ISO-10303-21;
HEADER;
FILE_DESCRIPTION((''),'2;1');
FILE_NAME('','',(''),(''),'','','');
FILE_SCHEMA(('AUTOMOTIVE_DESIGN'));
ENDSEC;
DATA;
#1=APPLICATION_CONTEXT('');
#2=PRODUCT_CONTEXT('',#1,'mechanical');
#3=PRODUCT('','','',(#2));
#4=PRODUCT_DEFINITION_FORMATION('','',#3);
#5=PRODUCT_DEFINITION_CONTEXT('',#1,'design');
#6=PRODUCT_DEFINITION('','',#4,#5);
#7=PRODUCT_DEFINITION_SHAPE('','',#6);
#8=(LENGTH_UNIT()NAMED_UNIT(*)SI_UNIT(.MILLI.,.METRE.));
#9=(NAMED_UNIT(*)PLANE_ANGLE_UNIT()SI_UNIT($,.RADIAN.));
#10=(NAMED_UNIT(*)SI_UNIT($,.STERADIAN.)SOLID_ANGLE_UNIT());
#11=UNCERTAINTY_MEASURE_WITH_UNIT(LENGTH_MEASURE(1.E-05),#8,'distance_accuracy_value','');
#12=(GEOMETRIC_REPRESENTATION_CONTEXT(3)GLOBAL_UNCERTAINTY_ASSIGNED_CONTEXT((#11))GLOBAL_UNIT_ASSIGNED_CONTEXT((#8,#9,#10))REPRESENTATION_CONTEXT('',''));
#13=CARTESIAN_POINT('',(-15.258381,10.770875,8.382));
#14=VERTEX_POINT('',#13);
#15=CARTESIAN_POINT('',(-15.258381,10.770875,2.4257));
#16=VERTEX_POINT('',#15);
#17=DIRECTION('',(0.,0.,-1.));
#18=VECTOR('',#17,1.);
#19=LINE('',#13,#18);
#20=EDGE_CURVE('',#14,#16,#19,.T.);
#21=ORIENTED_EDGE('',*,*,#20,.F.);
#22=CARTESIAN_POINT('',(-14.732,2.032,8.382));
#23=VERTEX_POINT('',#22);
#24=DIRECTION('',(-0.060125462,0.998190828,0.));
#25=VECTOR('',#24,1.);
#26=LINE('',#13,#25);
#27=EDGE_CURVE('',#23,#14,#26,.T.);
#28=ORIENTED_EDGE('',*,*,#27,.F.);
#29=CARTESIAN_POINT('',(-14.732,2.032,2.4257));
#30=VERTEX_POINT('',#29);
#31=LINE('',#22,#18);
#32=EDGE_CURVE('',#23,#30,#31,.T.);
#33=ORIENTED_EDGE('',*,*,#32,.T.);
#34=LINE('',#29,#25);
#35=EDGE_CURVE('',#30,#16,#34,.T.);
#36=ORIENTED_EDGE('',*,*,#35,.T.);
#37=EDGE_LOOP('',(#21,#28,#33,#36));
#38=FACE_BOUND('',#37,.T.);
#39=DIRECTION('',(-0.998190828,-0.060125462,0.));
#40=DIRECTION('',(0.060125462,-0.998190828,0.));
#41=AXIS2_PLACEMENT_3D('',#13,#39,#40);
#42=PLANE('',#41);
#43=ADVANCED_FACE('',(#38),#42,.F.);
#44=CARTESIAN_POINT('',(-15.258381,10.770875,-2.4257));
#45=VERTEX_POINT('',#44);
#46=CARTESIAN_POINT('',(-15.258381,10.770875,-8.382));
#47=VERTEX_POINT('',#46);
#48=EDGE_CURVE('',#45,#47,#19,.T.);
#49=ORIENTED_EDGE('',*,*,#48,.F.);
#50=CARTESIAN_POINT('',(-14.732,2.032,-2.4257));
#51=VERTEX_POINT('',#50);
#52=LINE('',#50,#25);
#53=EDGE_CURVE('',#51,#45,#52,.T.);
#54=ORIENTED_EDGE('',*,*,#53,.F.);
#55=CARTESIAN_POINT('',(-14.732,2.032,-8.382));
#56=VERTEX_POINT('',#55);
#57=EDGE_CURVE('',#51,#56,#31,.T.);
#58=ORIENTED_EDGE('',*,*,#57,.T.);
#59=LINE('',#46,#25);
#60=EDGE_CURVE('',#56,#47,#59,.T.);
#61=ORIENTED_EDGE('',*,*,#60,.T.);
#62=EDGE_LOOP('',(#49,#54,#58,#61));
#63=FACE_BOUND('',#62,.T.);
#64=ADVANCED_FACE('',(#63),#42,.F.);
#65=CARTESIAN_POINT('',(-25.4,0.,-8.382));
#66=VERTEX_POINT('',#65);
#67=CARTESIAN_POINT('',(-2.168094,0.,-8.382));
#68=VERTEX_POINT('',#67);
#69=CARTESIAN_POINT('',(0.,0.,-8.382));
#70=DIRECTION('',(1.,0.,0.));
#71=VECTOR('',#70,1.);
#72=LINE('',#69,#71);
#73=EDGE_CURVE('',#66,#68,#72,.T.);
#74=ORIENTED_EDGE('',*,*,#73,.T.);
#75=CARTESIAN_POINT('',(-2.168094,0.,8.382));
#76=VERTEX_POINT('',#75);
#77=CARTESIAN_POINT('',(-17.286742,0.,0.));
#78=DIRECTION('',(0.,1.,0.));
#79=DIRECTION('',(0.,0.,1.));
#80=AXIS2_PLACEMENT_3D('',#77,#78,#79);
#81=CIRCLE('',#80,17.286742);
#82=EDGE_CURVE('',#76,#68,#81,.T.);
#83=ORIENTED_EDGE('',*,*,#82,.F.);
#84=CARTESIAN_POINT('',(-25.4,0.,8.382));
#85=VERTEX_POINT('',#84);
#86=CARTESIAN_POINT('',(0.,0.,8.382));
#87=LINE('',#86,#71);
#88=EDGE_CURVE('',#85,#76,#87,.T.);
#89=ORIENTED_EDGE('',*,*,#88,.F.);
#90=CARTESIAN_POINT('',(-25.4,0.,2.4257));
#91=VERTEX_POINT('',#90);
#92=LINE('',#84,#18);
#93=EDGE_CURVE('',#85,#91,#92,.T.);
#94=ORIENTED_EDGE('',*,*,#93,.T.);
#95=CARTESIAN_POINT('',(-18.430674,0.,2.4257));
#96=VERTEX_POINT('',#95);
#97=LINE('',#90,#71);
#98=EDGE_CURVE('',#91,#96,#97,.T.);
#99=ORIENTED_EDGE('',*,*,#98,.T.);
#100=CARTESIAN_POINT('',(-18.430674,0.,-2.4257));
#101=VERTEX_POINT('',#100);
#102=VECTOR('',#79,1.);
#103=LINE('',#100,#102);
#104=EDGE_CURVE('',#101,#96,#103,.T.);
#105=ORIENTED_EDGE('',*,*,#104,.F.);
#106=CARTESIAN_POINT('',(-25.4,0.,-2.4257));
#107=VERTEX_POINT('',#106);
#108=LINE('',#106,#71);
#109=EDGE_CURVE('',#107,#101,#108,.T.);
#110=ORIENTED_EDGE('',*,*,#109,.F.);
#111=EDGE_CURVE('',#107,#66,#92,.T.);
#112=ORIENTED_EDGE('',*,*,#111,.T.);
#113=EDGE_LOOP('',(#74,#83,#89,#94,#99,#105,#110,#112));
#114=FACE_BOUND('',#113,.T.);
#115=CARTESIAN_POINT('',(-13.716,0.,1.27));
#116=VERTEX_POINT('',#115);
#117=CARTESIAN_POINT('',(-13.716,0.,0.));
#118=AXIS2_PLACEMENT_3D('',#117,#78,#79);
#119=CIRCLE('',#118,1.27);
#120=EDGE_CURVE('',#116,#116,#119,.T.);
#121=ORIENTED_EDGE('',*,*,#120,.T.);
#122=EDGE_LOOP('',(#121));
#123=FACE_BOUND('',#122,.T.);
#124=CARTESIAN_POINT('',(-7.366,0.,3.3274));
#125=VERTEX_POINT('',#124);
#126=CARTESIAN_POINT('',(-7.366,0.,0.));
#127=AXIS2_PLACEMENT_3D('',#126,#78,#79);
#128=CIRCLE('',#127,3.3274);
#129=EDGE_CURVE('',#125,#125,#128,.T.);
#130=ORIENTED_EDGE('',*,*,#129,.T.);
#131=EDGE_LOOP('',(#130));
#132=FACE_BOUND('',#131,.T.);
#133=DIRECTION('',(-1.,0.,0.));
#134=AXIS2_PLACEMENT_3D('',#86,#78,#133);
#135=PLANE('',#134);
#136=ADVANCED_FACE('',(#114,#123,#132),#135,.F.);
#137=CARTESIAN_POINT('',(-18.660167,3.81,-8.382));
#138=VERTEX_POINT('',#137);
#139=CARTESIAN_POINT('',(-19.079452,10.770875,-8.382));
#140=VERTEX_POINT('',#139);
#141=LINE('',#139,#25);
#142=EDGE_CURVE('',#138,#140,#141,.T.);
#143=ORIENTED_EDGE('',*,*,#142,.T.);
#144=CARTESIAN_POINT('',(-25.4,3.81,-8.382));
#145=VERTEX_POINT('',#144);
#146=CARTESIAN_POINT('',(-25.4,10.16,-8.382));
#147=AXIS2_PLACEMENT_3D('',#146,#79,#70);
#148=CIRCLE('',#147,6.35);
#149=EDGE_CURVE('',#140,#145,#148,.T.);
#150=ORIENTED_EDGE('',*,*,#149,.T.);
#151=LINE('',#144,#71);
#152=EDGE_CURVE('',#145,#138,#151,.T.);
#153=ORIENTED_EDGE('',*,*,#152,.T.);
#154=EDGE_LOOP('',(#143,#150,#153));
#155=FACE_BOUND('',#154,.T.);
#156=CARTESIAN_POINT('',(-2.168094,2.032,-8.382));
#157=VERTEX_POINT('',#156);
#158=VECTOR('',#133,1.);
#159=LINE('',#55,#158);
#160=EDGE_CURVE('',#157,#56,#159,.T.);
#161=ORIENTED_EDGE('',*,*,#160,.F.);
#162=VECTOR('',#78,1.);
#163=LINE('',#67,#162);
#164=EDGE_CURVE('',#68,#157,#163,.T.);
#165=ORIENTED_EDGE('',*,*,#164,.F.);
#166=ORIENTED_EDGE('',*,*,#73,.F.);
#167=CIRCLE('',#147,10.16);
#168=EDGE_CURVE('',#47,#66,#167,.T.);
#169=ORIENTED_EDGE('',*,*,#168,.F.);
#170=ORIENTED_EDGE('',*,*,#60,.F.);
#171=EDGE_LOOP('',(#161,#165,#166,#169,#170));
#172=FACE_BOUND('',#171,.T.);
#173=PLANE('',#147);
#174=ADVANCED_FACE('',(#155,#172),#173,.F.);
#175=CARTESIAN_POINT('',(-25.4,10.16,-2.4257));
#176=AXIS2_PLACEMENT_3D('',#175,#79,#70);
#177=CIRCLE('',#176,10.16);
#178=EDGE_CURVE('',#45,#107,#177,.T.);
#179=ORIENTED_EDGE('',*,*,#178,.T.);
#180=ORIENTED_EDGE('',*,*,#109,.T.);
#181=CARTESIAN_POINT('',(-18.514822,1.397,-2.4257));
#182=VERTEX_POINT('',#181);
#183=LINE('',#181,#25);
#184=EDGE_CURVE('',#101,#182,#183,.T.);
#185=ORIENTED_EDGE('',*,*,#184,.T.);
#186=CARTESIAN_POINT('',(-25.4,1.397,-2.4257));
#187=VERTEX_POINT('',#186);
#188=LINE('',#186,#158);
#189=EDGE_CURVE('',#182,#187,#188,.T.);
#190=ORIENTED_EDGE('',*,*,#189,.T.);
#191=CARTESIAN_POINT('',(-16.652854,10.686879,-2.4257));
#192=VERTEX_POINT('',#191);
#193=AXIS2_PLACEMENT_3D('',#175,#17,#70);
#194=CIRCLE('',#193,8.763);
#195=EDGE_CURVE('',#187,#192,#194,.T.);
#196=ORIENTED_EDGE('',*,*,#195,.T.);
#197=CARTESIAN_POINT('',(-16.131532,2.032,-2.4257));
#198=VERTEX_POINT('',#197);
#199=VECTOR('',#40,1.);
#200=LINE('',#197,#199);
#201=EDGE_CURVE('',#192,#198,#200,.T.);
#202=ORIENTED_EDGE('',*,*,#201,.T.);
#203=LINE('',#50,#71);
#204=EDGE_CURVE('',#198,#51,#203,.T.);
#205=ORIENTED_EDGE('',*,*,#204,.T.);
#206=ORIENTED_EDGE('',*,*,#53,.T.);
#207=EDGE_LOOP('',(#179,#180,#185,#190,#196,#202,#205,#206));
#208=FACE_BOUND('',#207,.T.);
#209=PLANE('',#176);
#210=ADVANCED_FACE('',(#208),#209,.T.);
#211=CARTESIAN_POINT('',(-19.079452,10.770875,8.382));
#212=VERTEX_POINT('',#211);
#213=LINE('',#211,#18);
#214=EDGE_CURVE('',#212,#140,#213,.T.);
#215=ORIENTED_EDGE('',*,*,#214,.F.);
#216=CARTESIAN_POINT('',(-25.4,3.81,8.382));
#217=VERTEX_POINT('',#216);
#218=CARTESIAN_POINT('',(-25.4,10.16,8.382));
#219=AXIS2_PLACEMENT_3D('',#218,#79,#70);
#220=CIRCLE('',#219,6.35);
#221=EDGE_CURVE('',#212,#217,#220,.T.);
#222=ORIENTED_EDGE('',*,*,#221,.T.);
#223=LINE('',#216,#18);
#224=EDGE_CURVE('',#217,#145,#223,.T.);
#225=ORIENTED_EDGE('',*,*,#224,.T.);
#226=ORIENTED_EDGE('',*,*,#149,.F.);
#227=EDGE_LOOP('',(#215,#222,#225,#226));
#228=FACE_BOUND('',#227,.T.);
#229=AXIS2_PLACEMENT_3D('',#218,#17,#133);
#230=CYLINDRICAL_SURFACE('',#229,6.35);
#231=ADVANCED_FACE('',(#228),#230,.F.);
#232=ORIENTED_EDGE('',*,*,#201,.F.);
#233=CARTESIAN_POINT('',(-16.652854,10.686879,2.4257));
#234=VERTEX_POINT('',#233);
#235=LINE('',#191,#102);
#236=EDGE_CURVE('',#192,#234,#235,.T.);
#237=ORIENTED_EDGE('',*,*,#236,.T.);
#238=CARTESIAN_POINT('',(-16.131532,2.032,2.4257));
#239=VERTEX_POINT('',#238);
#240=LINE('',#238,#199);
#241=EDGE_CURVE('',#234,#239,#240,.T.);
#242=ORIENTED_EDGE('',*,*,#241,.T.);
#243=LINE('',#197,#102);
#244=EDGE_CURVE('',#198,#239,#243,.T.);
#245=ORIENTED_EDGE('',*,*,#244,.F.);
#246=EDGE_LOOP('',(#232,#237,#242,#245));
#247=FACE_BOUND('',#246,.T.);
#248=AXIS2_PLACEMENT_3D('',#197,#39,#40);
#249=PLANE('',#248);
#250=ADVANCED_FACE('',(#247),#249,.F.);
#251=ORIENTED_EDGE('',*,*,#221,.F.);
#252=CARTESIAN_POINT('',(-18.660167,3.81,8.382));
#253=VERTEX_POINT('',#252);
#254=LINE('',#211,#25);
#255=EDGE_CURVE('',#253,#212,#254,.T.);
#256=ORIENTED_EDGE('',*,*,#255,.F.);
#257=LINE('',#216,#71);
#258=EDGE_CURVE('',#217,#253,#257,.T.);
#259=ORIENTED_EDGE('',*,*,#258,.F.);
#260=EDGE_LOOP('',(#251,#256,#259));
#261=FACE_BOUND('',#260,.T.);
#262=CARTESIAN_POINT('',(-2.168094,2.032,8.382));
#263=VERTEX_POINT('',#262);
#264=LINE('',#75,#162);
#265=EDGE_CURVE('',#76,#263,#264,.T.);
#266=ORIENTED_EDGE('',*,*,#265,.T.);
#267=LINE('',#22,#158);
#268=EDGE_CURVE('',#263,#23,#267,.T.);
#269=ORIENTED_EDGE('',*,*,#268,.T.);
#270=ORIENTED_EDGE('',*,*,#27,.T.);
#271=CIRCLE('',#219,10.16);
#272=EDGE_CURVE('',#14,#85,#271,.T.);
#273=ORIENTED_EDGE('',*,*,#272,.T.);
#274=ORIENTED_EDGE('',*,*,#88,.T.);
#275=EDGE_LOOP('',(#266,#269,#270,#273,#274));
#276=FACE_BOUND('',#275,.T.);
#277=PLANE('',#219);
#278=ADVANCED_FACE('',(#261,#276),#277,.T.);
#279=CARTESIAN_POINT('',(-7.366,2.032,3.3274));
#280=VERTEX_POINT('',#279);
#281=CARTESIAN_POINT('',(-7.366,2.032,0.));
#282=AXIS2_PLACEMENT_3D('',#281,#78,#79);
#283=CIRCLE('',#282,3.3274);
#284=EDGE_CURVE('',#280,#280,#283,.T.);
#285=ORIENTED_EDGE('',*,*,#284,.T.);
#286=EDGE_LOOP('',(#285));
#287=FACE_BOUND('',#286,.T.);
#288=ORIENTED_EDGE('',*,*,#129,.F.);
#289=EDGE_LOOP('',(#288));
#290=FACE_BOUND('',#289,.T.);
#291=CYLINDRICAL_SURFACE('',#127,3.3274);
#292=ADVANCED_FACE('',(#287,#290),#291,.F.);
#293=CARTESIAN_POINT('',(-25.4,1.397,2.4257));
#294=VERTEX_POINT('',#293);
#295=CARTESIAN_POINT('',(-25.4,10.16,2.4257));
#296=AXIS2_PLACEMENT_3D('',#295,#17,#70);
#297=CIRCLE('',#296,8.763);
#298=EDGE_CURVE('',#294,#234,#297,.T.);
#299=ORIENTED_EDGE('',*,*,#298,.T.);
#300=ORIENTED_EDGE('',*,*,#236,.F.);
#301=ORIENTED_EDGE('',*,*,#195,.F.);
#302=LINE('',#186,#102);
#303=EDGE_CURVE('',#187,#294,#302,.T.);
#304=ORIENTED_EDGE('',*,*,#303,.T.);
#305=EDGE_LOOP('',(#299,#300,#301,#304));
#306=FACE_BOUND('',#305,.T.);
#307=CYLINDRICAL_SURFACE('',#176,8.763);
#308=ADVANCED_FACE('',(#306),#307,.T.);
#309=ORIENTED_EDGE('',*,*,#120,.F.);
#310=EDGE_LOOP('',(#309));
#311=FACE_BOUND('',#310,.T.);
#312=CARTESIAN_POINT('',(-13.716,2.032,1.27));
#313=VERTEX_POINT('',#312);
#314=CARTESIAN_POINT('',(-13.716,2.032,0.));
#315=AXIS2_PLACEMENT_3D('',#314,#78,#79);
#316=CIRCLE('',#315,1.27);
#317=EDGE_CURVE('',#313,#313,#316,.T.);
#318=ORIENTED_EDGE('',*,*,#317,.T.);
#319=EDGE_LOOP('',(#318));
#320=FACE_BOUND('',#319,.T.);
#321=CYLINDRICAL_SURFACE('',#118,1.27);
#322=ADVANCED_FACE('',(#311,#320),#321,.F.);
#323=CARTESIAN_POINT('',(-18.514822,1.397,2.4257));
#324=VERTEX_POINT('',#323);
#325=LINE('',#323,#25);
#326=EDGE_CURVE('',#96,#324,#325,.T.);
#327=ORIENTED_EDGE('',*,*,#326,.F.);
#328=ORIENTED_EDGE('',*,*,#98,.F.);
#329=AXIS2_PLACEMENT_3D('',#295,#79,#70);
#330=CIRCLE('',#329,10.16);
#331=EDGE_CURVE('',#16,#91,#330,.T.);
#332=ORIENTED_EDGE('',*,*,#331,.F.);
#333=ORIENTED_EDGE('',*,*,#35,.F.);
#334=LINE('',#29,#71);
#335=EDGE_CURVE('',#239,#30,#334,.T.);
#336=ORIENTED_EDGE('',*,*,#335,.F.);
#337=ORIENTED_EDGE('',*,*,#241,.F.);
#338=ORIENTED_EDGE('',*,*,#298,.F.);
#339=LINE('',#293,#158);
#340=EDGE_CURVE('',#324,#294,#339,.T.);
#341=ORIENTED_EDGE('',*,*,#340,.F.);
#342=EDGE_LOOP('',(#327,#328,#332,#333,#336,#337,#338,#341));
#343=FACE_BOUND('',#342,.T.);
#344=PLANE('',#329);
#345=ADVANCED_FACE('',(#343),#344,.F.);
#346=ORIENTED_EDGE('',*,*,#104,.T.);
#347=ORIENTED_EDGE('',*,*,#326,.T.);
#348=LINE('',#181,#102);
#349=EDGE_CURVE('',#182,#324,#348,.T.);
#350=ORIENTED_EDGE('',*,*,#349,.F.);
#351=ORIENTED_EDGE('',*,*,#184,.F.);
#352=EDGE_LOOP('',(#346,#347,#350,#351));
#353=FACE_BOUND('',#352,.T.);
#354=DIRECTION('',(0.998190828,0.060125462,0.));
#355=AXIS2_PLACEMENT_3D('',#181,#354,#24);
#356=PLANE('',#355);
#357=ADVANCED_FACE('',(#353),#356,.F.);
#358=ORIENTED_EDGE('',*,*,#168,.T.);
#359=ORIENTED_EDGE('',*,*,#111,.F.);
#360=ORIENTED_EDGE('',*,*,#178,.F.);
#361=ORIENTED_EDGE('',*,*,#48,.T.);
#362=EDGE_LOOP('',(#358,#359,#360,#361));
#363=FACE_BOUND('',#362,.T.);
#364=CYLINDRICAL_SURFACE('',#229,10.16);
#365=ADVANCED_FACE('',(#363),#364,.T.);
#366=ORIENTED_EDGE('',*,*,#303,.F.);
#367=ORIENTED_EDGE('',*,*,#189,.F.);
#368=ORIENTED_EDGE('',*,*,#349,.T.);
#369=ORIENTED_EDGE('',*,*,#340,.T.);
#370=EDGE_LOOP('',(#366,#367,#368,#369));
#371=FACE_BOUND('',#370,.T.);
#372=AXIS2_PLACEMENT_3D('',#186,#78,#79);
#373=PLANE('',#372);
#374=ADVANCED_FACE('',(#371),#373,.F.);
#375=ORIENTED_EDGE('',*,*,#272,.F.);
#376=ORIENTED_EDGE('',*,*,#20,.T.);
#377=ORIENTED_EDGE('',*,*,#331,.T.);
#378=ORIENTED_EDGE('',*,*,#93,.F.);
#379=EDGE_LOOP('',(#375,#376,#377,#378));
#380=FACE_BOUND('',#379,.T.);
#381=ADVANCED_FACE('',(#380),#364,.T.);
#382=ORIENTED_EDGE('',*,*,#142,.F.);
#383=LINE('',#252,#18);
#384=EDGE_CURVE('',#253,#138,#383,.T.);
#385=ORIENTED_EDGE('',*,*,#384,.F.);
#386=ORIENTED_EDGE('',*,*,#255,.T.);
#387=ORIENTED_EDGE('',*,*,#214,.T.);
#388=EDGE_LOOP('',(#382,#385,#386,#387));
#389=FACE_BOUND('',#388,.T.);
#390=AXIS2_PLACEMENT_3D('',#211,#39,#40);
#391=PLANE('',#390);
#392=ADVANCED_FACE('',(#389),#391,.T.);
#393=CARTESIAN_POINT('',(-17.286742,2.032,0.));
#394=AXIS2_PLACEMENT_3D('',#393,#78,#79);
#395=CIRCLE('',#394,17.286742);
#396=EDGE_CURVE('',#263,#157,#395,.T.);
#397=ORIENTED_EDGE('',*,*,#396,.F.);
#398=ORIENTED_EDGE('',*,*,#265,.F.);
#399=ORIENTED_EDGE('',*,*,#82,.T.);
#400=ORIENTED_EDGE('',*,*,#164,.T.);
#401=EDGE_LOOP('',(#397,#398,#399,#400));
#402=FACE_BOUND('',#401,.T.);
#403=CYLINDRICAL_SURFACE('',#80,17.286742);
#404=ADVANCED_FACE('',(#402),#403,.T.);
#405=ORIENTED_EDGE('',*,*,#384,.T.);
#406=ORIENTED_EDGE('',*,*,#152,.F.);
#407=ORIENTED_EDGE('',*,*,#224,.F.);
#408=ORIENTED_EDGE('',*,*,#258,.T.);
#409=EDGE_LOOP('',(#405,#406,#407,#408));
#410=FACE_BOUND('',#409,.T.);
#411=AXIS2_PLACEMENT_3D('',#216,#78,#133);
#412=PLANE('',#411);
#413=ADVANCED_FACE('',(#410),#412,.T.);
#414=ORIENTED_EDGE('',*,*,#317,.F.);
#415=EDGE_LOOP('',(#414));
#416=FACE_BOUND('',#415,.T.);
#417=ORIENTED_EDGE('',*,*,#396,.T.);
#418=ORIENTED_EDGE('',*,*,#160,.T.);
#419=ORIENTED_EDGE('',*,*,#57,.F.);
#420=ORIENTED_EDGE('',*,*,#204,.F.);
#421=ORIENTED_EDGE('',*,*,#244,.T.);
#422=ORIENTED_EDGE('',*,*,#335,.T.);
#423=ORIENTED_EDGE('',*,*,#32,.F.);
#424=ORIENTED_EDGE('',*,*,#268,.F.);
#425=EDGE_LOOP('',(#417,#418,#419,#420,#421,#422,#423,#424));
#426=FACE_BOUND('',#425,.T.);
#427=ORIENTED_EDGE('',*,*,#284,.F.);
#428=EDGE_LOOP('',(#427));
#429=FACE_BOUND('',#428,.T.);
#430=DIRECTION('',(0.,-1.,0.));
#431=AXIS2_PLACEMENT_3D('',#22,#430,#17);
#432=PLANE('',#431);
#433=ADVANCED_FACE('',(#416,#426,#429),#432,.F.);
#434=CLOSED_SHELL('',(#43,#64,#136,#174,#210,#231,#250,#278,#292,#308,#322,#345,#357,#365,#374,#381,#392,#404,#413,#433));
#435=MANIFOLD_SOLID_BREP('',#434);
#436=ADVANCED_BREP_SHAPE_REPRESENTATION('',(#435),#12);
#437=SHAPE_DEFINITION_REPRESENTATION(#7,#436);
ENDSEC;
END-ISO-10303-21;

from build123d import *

# Parameters (mm, degrees)
BOSS_EXTRUDE1_DEPTH = 8.382
CUT_EXTRUDE2_DEPTH  = 2.032
SKETCH4_R           = 3.3274
SKETCH4_R_2         = 1.27
CUT_EXTRUDE3_DEPTH  = 3.032
CUT_EXTRUDE4_DEPTH  = 2.4257


with BuildPart() as part:
    # Sketch1 → Boss-Extrude1 (new body, symmetric)
    with BuildSketch(Plane.XY):
        with BuildLine():
            Line((0, 0), (-25.4, 0))
            ThreePointArc((-25.4, 0), (-32.797029365, 17.124880227), (-15.258381189, 10.77087469))
            Line((-15.258381189, 10.77087469), (-14.732, 2.032))
            Line((-14.732, 2.032), (0, 2.032))
            Line((0, 2.032), (0, 0))
        make_face()
        with BuildLine():
            Line((-25.4, 3.81), (-18.660167236, 3.81))
            Line((-18.660167236, 3.81), (-19.079451597, 10.77087469))
            ThreePointArc((-19.079451597, 10.77087469), (-30.101146364, 14.428691001), (-25.4, 3.81))
        make_face(mode=Mode.SUBTRACT)
    extrude(amount=BOSS_EXTRUDE1_DEPTH, both=True)

    # Sketch3 → Cut-Extrude2 (cut)
    with BuildSketch(Plane(origin=(0, 2.032, 0), x_dir=(1, 0, 0), z_dir=(0, 1, 0))):
        with BuildLine():
            Line((0, -8.382), (0, 0))
            ThreePointArc((0, 0), (-0.55079832, -4.328930418), (-2.168093689, -8.382))
            Line((-2.168093689, -8.382), (0, -8.382))
        make_face()
        with BuildLine():
            Line((0, 0), (0, 8.382))
            Line((0, 8.382), (-2.168093689, 8.382))
            ThreePointArc((-2.168093689, 8.382), (-0.55079832, 4.328930418), (0, 0))
        make_face()
    extrude(amount=-CUT_EXTRUDE2_DEPTH, mode=Mode.SUBTRACT)

    # Sketch4 → Cut-Extrude3 (cut, through all)
    with BuildSketch(Plane(origin=(0, 2.032, 0), x_dir=(1, 0, 0), z_dir=(0, 1, 0))):
        with Locations((-7.366, 0)):
            Circle(SKETCH4_R)
        with Locations((-13.716, 0)):
            Circle(SKETCH4_R_2)
    extrude(amount=-CUT_EXTRUDE3_DEPTH, mode=Mode.SUBTRACT)

    # Sketch5 → Cut-Extrude4 (cut, symmetric)
    with BuildSketch(Plane.XY):
        with BuildLine():
            Line((-25.4, 0), (-18.430674034, 0))
            Line((-18.430674034, 0), (-18.514821541, 1.397))
            Line((-18.514821541, 1.397), (-25.4, 1.397))
            ThreePointArc((-25.4, 1.397), (-31.779937827, 16.167209196), (-16.652853775, 10.68687942))
            Line((-16.652853775, 10.68687942), (-16.131531994, 2.032))
            Line((-16.131531994, 2.032), (-14.732, 2.032))
            Line((-14.732, 2.032), (-15.258381189, 10.77087469))
            ThreePointArc((-15.258381189, 10.77087469), (-32.797029365, 17.124880227), (-25.4, 0))
        make_face()
    extrude(amount=CUT_EXTRUDE4_DEPTH, both=True, mode=Mode.SUBTRACT)


solid = part.part
